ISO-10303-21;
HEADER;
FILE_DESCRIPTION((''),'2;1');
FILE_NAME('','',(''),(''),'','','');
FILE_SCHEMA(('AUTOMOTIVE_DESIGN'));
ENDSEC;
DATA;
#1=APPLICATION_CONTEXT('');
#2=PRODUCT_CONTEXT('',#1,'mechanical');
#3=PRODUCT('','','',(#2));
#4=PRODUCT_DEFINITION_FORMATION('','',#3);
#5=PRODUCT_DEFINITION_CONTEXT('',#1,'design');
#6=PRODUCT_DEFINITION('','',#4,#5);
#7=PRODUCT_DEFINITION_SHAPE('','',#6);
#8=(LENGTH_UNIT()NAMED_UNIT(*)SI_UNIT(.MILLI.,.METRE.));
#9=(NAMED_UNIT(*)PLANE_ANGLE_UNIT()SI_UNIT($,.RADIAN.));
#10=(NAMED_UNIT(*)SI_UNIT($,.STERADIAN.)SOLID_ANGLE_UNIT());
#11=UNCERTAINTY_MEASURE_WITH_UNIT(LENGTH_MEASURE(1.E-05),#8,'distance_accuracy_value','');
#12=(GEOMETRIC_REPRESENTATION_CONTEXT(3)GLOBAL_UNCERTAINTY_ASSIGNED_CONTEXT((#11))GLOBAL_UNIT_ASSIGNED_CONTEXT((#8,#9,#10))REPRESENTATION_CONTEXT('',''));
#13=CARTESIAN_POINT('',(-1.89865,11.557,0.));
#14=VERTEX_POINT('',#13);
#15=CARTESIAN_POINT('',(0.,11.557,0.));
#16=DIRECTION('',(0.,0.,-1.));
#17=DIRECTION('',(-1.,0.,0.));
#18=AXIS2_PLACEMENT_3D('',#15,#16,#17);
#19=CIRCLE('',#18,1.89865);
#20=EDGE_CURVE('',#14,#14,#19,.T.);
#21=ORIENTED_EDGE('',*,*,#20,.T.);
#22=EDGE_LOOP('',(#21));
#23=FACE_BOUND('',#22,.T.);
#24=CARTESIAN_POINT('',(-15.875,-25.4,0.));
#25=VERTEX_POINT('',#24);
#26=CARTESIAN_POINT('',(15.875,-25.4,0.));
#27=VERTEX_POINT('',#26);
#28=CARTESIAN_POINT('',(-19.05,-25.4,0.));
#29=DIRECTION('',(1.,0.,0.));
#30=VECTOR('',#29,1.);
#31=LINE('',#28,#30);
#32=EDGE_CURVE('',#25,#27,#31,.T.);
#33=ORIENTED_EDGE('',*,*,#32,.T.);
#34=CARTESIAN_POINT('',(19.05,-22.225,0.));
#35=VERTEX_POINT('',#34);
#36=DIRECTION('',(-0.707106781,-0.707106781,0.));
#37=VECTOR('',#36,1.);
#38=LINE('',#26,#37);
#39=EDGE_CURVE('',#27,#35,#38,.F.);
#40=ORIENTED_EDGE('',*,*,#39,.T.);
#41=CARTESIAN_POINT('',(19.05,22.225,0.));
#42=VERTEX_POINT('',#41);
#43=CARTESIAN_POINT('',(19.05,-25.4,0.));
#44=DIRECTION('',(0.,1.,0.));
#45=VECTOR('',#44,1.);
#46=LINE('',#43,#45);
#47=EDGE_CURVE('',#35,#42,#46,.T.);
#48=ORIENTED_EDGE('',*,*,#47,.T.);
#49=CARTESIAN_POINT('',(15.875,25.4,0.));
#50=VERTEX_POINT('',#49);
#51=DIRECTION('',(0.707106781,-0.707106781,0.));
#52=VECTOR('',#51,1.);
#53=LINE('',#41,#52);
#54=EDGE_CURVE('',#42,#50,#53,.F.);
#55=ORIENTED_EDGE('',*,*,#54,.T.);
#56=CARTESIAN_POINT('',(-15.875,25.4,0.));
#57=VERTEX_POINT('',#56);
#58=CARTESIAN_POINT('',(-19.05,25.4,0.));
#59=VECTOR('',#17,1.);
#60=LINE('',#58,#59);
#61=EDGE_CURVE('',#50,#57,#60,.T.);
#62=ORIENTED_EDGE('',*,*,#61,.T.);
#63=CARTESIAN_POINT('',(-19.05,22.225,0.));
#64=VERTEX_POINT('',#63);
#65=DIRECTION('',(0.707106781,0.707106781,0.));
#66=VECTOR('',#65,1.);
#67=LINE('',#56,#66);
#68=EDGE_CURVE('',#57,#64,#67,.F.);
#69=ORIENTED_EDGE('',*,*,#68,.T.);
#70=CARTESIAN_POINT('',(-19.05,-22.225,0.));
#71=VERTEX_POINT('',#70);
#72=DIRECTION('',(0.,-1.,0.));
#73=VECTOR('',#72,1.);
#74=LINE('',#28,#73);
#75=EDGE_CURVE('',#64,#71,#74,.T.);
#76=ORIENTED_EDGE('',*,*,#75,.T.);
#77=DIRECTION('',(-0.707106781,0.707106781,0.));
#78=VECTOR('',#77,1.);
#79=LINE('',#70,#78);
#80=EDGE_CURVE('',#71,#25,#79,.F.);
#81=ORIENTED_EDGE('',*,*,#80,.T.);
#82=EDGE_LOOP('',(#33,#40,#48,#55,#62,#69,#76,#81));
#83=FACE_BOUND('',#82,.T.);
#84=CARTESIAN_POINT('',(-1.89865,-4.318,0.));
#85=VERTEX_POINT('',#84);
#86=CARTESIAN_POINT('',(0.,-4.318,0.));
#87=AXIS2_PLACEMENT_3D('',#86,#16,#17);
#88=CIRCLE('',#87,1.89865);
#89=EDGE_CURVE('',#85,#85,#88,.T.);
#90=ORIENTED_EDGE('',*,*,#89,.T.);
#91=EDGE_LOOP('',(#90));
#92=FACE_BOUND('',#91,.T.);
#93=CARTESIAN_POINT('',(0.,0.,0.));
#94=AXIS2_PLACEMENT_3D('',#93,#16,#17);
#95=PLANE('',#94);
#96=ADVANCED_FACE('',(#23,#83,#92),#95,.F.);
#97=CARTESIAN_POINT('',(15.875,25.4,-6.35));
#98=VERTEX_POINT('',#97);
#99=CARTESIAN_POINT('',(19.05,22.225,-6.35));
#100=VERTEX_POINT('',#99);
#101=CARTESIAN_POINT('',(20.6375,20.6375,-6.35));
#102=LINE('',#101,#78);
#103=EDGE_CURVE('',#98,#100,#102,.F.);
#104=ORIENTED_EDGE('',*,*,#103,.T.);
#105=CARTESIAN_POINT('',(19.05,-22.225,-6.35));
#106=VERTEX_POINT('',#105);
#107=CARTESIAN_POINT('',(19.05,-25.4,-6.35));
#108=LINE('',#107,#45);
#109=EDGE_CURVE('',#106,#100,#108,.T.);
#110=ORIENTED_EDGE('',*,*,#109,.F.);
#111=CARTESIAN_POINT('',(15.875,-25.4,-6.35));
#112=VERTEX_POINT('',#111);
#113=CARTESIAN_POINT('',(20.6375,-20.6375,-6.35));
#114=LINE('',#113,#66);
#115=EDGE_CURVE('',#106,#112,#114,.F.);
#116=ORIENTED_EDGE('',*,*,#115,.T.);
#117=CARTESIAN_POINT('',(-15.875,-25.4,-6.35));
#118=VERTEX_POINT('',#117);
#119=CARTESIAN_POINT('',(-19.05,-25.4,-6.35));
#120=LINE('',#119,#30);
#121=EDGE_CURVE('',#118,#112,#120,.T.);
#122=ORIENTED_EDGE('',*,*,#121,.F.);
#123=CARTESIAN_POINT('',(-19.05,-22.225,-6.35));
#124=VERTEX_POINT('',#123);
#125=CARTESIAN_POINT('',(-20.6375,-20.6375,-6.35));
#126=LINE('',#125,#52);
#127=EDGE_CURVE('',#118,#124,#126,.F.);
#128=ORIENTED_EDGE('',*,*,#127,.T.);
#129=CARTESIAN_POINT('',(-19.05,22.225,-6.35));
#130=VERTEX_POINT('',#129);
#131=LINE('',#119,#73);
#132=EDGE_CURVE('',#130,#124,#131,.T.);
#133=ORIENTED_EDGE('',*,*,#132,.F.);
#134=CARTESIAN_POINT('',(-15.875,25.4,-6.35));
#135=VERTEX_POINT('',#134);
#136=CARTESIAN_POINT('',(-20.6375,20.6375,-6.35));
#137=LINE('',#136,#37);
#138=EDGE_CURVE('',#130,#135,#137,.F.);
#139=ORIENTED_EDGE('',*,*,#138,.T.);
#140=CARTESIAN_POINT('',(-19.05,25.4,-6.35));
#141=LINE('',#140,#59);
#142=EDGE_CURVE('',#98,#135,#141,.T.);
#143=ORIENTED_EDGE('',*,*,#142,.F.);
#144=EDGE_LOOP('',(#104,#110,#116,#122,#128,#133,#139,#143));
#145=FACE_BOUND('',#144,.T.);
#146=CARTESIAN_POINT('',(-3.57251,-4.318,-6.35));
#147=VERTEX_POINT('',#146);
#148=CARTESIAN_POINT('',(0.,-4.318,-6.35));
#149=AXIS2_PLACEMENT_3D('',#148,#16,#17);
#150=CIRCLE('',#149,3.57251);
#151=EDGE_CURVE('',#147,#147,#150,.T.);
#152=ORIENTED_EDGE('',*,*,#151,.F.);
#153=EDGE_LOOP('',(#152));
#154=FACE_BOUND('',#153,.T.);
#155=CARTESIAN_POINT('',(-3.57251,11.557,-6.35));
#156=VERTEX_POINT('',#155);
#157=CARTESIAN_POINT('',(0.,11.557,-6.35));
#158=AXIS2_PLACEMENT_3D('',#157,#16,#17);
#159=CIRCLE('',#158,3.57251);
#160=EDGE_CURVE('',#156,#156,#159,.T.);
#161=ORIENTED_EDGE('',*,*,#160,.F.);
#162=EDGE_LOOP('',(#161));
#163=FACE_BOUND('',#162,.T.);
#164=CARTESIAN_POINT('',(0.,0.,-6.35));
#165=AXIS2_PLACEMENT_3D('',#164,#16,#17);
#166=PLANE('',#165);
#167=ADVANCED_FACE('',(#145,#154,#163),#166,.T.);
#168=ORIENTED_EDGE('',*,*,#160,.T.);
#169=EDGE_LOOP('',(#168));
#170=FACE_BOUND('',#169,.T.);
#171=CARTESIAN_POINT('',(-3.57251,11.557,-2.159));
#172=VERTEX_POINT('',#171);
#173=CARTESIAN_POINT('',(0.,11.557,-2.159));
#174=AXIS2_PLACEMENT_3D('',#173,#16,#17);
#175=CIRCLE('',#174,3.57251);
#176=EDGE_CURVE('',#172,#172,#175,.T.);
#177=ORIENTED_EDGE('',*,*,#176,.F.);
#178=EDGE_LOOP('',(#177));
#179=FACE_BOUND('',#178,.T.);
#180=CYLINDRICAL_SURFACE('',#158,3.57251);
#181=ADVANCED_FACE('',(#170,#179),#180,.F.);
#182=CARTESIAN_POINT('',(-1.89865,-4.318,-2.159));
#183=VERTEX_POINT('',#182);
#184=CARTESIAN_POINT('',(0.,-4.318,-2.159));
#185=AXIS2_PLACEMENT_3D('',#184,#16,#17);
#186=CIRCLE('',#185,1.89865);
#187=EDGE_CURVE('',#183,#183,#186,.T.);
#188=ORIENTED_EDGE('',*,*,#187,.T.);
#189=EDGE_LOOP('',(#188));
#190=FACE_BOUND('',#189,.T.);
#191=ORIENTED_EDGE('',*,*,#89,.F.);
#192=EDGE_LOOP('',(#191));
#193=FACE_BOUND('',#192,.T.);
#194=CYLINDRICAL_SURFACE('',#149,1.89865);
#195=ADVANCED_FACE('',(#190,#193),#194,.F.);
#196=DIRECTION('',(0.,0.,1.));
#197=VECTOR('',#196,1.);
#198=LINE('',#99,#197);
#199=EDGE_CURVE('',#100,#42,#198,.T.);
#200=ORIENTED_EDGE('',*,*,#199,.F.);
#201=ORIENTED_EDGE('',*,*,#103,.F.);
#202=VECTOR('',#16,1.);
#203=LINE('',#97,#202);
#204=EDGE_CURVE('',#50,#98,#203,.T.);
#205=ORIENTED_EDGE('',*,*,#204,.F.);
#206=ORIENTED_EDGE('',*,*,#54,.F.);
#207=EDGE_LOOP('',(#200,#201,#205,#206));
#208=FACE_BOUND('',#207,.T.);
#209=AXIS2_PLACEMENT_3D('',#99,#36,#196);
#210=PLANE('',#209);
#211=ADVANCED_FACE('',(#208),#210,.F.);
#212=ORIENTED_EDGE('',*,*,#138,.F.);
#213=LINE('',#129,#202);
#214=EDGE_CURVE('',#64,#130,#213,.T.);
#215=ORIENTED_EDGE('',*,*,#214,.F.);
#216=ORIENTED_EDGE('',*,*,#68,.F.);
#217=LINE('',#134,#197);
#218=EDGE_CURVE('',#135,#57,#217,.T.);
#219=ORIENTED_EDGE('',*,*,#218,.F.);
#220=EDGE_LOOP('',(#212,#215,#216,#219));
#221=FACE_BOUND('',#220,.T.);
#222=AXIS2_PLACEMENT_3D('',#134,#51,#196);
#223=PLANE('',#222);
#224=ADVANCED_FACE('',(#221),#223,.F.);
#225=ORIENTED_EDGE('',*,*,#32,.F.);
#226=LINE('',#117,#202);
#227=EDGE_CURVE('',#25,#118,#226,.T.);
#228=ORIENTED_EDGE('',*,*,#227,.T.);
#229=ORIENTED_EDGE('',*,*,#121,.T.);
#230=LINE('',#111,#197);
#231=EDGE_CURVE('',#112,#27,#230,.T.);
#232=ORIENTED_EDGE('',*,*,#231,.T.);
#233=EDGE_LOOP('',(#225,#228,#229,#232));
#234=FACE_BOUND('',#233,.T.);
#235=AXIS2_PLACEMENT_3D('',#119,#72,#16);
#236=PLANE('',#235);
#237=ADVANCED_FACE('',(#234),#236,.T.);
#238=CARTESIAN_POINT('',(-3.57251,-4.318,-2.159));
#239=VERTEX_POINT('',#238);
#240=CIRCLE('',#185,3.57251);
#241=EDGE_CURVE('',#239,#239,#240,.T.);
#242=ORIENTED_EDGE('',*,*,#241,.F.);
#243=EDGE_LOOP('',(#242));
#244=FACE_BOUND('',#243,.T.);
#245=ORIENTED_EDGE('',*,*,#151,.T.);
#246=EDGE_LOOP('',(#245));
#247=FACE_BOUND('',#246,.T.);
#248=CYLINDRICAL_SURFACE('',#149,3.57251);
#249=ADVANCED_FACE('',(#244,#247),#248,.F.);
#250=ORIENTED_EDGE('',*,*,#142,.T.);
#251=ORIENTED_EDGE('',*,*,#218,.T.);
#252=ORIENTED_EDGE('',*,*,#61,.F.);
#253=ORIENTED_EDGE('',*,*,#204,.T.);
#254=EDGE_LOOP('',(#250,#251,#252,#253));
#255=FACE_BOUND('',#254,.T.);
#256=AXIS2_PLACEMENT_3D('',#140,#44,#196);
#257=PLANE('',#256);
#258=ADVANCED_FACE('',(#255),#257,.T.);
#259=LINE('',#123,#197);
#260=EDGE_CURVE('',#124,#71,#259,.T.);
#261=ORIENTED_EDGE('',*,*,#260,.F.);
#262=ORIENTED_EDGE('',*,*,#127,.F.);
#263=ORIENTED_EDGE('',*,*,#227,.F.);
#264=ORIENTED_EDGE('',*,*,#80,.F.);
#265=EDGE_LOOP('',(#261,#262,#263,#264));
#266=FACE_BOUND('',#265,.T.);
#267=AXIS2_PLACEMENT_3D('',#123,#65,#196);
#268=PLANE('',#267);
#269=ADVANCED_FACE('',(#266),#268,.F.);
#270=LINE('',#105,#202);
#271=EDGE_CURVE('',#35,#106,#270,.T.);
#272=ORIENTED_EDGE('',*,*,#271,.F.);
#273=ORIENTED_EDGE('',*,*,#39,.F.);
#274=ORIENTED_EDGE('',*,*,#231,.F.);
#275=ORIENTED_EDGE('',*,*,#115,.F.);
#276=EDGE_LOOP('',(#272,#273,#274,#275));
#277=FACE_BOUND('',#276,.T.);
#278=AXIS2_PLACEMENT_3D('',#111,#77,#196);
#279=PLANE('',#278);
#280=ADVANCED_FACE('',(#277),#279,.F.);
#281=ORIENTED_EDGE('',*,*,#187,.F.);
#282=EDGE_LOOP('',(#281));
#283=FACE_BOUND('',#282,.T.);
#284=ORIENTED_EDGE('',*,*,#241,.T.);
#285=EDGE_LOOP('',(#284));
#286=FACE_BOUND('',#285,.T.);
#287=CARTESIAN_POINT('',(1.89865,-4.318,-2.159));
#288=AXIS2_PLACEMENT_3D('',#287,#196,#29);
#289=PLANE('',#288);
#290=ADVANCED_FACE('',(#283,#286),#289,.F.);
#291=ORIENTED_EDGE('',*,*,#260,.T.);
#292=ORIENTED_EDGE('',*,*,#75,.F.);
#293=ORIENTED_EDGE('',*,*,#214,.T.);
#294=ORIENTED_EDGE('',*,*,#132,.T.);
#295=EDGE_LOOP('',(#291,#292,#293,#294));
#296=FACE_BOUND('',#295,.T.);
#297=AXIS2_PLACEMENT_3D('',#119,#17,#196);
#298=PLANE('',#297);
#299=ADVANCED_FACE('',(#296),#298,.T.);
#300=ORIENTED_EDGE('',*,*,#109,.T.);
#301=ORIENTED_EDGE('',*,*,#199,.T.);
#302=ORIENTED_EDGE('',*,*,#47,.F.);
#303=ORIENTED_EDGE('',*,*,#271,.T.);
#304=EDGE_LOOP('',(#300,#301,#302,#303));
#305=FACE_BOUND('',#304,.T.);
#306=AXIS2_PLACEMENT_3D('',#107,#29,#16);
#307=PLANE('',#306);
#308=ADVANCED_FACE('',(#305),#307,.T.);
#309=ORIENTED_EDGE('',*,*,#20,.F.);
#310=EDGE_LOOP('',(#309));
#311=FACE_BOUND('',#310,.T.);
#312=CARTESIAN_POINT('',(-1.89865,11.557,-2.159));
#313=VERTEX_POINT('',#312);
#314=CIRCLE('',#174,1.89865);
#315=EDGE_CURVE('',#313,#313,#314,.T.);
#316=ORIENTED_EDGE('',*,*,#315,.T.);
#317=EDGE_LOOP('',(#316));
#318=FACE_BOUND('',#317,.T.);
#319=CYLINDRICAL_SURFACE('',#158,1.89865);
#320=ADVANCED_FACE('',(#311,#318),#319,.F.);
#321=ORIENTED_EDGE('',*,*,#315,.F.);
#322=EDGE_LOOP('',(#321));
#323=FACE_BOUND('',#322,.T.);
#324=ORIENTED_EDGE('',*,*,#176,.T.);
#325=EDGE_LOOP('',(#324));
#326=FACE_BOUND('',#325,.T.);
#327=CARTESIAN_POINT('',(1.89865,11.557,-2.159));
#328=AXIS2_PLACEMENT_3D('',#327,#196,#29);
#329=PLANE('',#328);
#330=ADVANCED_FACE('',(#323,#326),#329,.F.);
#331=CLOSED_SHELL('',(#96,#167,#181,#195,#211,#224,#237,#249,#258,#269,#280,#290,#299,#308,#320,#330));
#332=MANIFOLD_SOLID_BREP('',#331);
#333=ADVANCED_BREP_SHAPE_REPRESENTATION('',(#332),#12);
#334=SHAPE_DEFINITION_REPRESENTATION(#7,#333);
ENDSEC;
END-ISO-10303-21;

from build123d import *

# Parameters (mm, degrees)
SKETCH1_W                                      = 38.1
SKETCH1_H                                      = 50.8
BOSS_EXTRUDE1_DEPTH                            = 6.35
CHAMFER1_SIZE                                  = 3.175
CBORE_FOR_6_SOCKET_HEAD_CAP_SCREW1_D           = 3.7973
CBORE_FOR_6_SOCKET_HEAD_CAP_SCREW1_CBORE_D     = 7.14502
CBORE_FOR_6_SOCKET_HEAD_CAP_SCREW1_CBORE_DEPTH = 4.191


with BuildPart() as part:
    # Sketch1 → Boss-Extrude1 (new body)
    with BuildSketch(Plane.XY):
        Rectangle(SKETCH1_W, SKETCH1_H)
    extrude(amount=-BOSS_EXTRUDE1_DEPTH)

    # Chamfer1
    chamfer1_edges = [part.edges().sort_by_distance(p)[0] for p in [
        (19.05, -25.4, -3.175),
        (-19.05, -25.4, -3.175),
        (-19.05, 25.4, -3.175),
        (19.05, 25.4, -3.175),
    ]]
    chamfer(chamfer1_edges, length=CHAMFER1_SIZE)

    # CBORE for #6 Socket Head Cap Screw1 (through all)
    with Locations(Plane(origin=(0, 0, -6.35), x_dir=(-1, 0, 0), z_dir=(0, 0, -1))):
        with Locations((0, -4.318), (0, 11.557)):
            CounterBoreHole(CBORE_FOR_6_SOCKET_HEAD_CAP_SCREW1_D / 2, CBORE_FOR_6_SOCKET_HEAD_CAP_SCREW1_CBORE_D / 2, CBORE_FOR_6_SOCKET_HEAD_CAP_SCREW1_CBORE_DEPTH)


solid = part.part
